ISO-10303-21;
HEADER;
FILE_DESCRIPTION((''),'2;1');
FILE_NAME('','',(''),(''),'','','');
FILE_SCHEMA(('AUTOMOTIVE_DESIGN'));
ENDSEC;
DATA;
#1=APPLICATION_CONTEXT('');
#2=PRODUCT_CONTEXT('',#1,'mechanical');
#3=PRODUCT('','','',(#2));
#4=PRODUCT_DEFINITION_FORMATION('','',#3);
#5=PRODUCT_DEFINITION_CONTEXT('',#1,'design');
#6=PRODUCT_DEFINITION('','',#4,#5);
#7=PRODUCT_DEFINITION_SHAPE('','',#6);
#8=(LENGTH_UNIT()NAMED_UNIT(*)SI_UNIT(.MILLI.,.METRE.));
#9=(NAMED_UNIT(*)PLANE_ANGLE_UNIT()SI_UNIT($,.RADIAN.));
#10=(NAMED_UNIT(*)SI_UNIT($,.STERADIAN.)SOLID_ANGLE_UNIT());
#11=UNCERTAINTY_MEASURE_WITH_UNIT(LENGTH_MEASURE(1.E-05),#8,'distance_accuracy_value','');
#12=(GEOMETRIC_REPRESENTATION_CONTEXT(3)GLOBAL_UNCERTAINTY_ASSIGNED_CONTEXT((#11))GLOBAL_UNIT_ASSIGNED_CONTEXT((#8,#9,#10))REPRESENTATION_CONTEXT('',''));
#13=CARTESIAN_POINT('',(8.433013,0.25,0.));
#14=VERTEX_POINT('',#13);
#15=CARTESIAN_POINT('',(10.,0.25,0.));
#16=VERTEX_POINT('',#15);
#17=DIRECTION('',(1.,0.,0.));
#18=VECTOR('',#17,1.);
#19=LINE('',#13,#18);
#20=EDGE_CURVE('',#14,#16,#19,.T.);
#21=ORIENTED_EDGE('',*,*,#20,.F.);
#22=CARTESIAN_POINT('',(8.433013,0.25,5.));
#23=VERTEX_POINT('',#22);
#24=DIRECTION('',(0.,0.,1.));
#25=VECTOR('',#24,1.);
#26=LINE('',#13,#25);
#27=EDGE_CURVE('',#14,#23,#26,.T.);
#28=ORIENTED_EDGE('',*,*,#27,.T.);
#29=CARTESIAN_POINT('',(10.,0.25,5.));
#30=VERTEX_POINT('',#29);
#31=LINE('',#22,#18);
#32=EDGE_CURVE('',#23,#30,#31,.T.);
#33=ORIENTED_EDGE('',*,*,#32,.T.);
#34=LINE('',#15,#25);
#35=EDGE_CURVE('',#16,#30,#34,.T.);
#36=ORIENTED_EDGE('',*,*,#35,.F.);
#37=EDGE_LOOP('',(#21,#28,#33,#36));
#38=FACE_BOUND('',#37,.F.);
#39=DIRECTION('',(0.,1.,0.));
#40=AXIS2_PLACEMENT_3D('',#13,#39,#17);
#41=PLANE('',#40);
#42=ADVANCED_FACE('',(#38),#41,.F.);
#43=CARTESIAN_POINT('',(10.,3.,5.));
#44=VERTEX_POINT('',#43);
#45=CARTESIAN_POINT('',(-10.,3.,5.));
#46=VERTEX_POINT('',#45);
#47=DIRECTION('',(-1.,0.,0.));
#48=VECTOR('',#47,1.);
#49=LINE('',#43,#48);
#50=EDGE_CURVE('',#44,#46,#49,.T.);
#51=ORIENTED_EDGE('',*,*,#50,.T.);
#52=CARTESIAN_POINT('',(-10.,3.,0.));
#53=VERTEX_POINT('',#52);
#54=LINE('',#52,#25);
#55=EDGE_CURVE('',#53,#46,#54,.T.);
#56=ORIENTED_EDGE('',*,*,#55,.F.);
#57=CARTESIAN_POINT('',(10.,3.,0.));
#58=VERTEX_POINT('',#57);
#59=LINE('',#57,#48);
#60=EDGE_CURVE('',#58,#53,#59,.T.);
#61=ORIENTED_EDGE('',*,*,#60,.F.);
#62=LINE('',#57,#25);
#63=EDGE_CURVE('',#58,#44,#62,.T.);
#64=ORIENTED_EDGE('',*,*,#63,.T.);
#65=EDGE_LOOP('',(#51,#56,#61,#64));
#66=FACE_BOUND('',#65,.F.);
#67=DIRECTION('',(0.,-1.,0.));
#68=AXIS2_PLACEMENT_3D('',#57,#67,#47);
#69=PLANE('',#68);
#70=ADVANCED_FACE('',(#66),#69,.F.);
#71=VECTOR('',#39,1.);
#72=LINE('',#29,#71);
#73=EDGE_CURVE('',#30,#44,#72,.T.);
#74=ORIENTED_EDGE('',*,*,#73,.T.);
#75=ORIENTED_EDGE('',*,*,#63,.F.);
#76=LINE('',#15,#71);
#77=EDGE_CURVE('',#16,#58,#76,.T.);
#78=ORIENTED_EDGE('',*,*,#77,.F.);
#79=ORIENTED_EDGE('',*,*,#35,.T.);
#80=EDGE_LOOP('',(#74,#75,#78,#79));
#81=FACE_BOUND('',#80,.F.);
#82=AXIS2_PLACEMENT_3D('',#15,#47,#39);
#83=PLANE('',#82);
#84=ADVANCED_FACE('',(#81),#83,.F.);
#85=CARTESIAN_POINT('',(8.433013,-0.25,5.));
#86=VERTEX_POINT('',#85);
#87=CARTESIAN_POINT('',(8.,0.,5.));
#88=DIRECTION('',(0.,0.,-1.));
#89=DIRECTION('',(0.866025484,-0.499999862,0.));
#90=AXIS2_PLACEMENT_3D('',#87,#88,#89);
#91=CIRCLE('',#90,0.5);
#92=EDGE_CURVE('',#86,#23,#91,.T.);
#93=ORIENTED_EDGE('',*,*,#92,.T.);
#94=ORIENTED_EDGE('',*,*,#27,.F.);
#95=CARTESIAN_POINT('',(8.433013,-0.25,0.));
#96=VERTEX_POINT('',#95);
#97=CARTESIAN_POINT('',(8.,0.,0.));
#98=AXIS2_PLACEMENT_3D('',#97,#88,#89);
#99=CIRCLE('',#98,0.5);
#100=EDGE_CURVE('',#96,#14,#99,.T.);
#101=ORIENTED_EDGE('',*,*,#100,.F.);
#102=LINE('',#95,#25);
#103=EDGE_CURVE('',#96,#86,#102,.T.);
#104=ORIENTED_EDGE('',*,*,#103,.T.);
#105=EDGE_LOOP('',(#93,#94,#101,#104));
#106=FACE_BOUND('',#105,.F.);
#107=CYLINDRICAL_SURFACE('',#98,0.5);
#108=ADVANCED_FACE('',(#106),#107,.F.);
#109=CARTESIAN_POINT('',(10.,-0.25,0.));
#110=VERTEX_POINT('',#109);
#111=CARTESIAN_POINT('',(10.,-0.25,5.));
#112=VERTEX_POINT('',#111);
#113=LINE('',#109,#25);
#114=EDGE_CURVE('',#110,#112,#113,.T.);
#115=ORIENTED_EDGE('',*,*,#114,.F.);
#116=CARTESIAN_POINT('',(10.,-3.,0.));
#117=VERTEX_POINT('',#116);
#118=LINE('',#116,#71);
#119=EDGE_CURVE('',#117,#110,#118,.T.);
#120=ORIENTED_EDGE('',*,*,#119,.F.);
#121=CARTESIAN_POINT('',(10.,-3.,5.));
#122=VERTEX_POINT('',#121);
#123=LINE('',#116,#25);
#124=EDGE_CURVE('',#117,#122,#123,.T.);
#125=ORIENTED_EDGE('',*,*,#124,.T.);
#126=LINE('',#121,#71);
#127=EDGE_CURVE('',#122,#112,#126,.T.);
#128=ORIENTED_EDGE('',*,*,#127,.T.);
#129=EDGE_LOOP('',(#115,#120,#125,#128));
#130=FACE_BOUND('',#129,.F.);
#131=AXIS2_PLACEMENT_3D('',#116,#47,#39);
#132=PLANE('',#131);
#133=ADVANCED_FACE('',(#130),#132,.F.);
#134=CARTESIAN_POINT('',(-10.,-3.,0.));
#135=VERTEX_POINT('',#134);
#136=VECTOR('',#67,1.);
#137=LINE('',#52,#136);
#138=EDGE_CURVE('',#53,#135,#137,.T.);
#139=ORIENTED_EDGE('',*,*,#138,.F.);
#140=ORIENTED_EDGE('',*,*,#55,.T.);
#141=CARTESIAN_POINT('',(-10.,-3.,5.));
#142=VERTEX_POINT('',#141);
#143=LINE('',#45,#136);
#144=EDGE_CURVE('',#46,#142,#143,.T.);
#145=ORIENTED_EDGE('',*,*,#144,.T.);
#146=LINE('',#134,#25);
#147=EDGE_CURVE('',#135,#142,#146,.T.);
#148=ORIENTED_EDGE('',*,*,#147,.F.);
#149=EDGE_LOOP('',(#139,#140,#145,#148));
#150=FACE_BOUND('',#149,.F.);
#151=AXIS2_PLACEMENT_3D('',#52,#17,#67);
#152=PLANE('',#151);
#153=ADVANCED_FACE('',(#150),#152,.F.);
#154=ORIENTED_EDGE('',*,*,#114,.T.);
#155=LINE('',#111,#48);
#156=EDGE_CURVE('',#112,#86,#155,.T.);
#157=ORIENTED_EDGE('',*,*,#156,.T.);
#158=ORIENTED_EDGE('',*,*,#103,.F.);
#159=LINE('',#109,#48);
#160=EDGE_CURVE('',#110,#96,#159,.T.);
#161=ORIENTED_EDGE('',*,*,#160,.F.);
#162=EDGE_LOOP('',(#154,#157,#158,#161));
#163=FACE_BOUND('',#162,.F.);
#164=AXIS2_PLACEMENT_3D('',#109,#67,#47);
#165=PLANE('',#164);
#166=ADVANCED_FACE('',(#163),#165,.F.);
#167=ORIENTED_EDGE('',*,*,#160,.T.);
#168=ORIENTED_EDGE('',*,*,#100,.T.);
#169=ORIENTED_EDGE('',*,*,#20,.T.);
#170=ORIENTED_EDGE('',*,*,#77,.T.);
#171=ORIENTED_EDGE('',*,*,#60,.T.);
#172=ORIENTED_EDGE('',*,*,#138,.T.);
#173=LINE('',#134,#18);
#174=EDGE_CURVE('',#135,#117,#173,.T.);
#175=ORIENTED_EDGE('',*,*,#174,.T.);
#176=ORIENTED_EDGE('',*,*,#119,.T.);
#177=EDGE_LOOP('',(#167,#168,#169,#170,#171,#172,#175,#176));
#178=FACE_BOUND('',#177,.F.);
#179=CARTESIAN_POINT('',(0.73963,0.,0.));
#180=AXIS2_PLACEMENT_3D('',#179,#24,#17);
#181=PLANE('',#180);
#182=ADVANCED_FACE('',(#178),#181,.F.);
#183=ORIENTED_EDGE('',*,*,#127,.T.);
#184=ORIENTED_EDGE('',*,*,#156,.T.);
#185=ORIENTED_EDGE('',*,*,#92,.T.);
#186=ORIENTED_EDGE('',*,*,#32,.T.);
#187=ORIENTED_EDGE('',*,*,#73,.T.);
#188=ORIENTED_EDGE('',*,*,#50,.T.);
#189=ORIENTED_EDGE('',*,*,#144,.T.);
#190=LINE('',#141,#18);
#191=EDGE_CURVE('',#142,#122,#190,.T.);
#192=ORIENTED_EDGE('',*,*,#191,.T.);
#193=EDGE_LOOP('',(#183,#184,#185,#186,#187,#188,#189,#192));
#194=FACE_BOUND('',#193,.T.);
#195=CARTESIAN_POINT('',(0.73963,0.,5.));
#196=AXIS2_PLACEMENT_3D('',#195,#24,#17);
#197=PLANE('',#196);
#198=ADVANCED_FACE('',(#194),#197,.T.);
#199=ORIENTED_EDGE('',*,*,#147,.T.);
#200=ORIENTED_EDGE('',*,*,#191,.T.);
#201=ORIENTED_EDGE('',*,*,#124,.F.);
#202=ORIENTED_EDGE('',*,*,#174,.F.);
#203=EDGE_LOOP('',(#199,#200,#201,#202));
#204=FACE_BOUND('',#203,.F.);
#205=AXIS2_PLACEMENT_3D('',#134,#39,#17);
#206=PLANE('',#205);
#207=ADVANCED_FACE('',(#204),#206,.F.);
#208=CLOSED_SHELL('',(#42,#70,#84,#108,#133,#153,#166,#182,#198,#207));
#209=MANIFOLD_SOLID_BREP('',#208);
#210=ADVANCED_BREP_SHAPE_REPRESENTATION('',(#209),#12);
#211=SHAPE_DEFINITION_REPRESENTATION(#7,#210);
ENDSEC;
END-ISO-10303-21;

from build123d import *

# Parameters (mm, degrees)
F1_DEPTH = 5


with BuildPart() as f1:
    # F0 (on Top) → F1 (new body)
    with BuildSketch(Plane.XY):
        with BuildLine():
            Line((-10, -3), (10, -3))
            Line((10, -3), (10, -0.25))
            Line((10, -0.25), (8.433013, -0.25))
            ThreePointArc((8.433013, -0.25), (7.5, 0), (8.433013, 0.25))
            Line((8.433013, 0.25), (10, 0.25))
            Line((10, 0.25), (10, 3))
            Line((10, 3), (-10, 3))
            Line((-10, 3), (-10, -3))
        make_face()
    extrude(amount=F1_DEPTH)


solid = f1.part
